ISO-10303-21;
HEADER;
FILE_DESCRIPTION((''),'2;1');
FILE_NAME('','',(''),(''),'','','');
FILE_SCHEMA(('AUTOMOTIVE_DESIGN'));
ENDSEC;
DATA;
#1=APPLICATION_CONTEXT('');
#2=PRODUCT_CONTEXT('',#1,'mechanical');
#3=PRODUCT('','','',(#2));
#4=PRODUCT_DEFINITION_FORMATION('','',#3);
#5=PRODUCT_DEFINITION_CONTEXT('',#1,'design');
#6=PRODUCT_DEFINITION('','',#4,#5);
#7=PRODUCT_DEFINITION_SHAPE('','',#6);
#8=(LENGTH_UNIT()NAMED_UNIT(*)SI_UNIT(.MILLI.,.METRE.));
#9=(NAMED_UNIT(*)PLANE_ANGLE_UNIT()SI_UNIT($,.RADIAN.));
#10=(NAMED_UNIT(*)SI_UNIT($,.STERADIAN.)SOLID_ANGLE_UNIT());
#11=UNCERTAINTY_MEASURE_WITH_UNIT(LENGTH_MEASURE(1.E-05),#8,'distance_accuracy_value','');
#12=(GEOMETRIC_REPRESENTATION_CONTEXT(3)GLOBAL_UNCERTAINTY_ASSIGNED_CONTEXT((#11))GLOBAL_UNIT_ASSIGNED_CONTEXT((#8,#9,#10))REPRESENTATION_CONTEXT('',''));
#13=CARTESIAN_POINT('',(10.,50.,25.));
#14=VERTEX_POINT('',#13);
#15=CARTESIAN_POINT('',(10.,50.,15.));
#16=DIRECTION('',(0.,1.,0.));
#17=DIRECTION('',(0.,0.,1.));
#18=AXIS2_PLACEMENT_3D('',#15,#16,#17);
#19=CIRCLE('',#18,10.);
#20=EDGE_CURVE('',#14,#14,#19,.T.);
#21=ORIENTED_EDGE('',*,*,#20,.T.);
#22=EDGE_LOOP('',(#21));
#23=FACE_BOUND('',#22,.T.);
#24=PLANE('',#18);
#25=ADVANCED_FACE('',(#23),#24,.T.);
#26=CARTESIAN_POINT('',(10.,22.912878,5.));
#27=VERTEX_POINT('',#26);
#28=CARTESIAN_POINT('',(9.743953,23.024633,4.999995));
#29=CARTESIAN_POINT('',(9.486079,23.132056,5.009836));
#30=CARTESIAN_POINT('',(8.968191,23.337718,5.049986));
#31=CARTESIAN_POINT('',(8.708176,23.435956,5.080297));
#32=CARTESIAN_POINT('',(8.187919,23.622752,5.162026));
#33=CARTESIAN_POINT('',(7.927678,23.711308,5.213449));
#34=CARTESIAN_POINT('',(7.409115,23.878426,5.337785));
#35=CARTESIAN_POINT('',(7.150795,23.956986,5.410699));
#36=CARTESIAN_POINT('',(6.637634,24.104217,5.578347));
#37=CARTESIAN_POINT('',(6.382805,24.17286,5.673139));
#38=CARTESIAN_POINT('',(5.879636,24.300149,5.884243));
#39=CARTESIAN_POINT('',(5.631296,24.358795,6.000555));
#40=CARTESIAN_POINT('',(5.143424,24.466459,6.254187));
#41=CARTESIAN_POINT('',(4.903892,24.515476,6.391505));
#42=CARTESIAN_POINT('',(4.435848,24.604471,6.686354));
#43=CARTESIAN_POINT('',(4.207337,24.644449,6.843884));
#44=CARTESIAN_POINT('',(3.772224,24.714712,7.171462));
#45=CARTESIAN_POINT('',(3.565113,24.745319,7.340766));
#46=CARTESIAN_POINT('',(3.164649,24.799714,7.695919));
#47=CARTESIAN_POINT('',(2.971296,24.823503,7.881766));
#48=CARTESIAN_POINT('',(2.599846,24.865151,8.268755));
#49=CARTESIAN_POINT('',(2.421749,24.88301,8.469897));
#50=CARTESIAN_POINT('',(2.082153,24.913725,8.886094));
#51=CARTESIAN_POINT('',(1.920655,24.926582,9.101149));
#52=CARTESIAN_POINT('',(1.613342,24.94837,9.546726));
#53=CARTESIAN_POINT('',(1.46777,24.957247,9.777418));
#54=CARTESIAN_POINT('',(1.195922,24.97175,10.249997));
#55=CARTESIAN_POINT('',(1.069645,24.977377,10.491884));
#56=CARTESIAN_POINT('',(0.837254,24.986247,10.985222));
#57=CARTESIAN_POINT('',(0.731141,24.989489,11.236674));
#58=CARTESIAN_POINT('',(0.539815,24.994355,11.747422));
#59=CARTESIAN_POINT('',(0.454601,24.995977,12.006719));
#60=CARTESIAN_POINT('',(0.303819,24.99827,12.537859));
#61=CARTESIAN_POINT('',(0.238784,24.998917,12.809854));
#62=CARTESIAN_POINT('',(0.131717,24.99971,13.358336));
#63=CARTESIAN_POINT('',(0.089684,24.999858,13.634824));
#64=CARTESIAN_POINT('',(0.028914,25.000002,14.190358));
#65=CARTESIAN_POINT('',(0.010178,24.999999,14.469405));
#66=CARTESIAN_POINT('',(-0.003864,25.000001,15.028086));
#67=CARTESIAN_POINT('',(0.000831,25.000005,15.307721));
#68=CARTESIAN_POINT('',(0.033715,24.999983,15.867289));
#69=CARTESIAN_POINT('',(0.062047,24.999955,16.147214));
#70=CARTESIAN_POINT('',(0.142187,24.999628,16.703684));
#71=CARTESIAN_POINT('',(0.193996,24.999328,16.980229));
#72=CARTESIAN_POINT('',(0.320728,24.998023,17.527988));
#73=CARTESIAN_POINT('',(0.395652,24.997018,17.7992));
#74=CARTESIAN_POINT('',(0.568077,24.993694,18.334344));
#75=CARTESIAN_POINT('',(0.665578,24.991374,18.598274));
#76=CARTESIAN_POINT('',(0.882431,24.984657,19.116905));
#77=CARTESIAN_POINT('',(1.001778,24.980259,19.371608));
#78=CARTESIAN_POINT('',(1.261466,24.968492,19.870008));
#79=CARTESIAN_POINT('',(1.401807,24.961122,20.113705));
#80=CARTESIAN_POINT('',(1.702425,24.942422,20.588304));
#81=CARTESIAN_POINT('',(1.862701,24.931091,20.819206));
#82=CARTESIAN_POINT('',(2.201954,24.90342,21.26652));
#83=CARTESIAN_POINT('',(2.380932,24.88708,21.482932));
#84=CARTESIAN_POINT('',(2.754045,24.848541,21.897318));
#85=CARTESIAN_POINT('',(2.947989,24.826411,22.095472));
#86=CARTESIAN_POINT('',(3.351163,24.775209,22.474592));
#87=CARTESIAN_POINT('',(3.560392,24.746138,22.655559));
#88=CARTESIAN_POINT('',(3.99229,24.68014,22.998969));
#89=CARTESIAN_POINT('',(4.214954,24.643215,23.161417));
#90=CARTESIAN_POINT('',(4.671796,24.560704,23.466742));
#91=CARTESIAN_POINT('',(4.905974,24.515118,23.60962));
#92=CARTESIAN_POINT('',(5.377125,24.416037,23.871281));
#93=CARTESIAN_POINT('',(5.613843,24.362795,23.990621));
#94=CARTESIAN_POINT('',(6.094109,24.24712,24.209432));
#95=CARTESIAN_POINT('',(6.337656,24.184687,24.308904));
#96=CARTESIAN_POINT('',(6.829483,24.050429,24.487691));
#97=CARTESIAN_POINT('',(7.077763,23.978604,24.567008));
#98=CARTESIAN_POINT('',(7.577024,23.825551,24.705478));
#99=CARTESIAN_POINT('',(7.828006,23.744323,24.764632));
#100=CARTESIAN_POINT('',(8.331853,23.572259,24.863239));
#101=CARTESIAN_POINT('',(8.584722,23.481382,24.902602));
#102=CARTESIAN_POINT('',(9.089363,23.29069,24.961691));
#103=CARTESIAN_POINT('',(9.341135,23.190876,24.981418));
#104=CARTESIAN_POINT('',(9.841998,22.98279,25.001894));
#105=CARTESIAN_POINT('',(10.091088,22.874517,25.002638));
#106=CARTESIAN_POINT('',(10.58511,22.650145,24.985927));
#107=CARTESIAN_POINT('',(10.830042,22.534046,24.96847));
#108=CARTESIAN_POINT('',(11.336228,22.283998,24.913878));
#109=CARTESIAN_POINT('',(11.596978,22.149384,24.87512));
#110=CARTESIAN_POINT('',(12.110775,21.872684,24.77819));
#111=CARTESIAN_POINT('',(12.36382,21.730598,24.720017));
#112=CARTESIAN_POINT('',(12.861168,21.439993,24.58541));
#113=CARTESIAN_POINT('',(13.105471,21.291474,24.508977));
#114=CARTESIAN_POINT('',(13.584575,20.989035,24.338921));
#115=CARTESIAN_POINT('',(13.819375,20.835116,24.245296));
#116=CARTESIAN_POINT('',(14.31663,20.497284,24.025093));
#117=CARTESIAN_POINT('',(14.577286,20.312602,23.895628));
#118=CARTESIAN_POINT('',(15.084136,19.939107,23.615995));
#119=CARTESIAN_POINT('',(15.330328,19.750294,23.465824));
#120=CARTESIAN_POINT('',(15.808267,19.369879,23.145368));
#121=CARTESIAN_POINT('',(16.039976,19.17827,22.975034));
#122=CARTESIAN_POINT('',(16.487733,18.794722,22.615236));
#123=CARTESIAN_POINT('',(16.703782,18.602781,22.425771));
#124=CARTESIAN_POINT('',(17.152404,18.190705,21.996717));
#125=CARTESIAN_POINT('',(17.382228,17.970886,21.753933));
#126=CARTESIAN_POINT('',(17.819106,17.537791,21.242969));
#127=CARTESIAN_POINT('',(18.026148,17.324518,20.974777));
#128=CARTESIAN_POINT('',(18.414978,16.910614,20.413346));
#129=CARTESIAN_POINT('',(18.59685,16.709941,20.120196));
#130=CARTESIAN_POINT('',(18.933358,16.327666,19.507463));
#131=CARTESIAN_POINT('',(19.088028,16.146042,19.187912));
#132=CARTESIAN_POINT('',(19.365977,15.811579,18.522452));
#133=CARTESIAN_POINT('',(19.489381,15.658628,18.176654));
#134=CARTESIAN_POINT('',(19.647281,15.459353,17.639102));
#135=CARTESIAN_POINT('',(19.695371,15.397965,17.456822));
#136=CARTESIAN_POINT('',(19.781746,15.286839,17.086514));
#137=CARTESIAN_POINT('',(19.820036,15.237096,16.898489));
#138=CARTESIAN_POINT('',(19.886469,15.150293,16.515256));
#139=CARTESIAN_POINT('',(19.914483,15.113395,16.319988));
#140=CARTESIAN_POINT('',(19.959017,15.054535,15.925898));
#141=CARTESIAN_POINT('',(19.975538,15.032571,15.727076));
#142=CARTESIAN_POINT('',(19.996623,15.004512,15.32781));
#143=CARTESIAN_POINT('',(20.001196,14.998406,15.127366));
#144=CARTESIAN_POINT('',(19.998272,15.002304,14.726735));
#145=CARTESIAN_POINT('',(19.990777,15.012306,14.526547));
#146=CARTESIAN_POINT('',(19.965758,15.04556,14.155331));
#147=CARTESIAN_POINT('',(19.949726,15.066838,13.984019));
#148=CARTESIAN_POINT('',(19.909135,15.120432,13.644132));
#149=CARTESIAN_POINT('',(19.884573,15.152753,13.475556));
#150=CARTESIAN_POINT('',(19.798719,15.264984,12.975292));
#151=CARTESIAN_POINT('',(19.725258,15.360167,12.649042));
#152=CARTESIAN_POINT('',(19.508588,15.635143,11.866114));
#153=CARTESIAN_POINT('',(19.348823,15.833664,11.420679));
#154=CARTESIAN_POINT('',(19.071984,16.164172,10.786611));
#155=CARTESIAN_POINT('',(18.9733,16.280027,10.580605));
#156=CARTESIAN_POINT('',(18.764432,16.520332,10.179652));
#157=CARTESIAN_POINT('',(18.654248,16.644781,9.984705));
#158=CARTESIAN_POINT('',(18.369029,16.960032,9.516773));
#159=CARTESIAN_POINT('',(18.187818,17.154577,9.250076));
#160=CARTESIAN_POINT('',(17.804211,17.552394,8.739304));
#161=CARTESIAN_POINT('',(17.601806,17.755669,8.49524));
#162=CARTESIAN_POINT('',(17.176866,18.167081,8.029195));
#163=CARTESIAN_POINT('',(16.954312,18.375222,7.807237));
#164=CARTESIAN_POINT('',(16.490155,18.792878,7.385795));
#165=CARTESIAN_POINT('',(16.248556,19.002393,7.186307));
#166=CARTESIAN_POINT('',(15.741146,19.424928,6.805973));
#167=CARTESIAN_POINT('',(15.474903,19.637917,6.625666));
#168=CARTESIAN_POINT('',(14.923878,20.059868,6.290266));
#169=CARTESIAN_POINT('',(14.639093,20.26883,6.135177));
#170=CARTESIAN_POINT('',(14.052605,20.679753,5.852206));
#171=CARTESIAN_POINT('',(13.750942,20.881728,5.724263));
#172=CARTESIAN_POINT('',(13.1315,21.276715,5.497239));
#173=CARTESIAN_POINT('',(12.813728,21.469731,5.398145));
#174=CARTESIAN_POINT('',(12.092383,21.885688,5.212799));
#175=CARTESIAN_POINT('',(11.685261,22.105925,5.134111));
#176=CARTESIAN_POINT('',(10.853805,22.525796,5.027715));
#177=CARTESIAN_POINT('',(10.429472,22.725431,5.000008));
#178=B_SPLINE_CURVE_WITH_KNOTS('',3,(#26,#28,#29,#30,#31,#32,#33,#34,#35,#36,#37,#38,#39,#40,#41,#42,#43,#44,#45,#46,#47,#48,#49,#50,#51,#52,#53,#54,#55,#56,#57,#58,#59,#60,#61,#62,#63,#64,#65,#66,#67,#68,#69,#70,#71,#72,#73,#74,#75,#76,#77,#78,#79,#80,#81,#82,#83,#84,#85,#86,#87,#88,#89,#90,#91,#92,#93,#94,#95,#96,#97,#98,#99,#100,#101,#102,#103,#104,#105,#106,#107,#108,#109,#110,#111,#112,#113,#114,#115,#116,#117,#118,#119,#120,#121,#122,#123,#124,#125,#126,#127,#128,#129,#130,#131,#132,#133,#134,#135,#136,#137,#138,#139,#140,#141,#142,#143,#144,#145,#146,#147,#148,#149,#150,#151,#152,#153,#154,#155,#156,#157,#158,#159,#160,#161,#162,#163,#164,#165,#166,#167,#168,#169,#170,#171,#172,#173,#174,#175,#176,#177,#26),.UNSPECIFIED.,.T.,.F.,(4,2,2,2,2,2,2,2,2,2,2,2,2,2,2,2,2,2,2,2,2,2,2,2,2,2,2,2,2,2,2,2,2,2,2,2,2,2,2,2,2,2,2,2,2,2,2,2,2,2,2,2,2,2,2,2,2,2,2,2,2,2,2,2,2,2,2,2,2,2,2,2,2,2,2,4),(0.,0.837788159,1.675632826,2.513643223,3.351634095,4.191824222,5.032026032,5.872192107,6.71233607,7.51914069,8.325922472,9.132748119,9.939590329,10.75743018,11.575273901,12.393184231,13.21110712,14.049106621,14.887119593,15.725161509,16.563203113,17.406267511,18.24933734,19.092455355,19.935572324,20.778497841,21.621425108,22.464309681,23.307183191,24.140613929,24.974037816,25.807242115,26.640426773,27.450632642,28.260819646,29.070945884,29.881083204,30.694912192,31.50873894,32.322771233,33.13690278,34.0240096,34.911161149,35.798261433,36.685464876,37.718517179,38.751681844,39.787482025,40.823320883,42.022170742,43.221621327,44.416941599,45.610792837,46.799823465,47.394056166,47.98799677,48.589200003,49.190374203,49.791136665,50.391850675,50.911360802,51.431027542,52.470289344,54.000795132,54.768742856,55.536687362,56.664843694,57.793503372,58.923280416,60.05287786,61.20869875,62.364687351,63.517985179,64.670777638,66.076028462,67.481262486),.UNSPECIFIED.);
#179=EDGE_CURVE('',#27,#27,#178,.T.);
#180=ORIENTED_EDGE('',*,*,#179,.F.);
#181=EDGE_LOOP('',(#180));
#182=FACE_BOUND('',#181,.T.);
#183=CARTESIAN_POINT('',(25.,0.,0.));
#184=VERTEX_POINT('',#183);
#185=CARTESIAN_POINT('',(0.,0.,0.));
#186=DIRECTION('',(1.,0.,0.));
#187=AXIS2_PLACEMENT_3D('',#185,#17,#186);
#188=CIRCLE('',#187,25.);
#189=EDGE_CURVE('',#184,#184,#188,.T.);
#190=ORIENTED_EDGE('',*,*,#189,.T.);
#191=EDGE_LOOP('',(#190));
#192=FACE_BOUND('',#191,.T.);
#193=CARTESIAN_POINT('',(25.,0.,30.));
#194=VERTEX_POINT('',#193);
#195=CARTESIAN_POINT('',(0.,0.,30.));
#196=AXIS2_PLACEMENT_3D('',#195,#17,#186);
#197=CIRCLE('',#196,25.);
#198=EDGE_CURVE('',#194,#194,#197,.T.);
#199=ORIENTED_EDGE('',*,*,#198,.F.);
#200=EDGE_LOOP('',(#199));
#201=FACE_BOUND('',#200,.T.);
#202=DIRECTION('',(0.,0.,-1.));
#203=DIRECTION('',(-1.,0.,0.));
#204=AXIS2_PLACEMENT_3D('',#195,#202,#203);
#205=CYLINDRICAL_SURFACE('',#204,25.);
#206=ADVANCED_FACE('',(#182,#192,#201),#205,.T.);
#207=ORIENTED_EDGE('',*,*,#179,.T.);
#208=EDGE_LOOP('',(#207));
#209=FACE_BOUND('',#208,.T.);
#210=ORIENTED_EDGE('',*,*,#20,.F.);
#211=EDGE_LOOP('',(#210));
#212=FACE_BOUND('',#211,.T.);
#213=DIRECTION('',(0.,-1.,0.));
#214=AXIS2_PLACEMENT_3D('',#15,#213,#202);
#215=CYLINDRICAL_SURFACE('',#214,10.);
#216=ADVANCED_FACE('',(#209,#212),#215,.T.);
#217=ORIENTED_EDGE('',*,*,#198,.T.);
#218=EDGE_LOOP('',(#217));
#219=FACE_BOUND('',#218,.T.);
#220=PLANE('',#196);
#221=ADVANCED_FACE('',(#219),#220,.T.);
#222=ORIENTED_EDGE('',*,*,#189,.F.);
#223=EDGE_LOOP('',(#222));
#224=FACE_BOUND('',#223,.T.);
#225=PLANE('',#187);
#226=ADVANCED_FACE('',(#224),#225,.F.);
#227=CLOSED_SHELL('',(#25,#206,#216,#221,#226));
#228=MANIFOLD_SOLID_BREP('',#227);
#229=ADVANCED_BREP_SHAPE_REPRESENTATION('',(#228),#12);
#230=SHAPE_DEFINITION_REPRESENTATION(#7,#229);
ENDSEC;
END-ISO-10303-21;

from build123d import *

# Parameters (mm, degrees)
SKETCH1_R           = 25
BOSS_EXTRUDE1_DEPTH = 30
SKETCH2_R           = 10
BOSS_EXTRUDE2_DEPTH = 50


with BuildPart() as part:
    # Sketch1 → Boss-Extrude1 (new body)
    with BuildSketch(Plane.XY):
        Circle(SKETCH1_R)
    extrude(amount=BOSS_EXTRUDE1_DEPTH)

    # Sketch2 → Boss-Extrude2 (add)
    with BuildSketch(Plane(origin=(0, 0, 0), x_dir=(1, 0, 0), z_dir=(0, 1, 0))):
        with Locations((10, -15)):
            Circle(SKETCH2_R)
    extrude(amount=BOSS_EXTRUDE2_DEPTH)


solid = part.part
